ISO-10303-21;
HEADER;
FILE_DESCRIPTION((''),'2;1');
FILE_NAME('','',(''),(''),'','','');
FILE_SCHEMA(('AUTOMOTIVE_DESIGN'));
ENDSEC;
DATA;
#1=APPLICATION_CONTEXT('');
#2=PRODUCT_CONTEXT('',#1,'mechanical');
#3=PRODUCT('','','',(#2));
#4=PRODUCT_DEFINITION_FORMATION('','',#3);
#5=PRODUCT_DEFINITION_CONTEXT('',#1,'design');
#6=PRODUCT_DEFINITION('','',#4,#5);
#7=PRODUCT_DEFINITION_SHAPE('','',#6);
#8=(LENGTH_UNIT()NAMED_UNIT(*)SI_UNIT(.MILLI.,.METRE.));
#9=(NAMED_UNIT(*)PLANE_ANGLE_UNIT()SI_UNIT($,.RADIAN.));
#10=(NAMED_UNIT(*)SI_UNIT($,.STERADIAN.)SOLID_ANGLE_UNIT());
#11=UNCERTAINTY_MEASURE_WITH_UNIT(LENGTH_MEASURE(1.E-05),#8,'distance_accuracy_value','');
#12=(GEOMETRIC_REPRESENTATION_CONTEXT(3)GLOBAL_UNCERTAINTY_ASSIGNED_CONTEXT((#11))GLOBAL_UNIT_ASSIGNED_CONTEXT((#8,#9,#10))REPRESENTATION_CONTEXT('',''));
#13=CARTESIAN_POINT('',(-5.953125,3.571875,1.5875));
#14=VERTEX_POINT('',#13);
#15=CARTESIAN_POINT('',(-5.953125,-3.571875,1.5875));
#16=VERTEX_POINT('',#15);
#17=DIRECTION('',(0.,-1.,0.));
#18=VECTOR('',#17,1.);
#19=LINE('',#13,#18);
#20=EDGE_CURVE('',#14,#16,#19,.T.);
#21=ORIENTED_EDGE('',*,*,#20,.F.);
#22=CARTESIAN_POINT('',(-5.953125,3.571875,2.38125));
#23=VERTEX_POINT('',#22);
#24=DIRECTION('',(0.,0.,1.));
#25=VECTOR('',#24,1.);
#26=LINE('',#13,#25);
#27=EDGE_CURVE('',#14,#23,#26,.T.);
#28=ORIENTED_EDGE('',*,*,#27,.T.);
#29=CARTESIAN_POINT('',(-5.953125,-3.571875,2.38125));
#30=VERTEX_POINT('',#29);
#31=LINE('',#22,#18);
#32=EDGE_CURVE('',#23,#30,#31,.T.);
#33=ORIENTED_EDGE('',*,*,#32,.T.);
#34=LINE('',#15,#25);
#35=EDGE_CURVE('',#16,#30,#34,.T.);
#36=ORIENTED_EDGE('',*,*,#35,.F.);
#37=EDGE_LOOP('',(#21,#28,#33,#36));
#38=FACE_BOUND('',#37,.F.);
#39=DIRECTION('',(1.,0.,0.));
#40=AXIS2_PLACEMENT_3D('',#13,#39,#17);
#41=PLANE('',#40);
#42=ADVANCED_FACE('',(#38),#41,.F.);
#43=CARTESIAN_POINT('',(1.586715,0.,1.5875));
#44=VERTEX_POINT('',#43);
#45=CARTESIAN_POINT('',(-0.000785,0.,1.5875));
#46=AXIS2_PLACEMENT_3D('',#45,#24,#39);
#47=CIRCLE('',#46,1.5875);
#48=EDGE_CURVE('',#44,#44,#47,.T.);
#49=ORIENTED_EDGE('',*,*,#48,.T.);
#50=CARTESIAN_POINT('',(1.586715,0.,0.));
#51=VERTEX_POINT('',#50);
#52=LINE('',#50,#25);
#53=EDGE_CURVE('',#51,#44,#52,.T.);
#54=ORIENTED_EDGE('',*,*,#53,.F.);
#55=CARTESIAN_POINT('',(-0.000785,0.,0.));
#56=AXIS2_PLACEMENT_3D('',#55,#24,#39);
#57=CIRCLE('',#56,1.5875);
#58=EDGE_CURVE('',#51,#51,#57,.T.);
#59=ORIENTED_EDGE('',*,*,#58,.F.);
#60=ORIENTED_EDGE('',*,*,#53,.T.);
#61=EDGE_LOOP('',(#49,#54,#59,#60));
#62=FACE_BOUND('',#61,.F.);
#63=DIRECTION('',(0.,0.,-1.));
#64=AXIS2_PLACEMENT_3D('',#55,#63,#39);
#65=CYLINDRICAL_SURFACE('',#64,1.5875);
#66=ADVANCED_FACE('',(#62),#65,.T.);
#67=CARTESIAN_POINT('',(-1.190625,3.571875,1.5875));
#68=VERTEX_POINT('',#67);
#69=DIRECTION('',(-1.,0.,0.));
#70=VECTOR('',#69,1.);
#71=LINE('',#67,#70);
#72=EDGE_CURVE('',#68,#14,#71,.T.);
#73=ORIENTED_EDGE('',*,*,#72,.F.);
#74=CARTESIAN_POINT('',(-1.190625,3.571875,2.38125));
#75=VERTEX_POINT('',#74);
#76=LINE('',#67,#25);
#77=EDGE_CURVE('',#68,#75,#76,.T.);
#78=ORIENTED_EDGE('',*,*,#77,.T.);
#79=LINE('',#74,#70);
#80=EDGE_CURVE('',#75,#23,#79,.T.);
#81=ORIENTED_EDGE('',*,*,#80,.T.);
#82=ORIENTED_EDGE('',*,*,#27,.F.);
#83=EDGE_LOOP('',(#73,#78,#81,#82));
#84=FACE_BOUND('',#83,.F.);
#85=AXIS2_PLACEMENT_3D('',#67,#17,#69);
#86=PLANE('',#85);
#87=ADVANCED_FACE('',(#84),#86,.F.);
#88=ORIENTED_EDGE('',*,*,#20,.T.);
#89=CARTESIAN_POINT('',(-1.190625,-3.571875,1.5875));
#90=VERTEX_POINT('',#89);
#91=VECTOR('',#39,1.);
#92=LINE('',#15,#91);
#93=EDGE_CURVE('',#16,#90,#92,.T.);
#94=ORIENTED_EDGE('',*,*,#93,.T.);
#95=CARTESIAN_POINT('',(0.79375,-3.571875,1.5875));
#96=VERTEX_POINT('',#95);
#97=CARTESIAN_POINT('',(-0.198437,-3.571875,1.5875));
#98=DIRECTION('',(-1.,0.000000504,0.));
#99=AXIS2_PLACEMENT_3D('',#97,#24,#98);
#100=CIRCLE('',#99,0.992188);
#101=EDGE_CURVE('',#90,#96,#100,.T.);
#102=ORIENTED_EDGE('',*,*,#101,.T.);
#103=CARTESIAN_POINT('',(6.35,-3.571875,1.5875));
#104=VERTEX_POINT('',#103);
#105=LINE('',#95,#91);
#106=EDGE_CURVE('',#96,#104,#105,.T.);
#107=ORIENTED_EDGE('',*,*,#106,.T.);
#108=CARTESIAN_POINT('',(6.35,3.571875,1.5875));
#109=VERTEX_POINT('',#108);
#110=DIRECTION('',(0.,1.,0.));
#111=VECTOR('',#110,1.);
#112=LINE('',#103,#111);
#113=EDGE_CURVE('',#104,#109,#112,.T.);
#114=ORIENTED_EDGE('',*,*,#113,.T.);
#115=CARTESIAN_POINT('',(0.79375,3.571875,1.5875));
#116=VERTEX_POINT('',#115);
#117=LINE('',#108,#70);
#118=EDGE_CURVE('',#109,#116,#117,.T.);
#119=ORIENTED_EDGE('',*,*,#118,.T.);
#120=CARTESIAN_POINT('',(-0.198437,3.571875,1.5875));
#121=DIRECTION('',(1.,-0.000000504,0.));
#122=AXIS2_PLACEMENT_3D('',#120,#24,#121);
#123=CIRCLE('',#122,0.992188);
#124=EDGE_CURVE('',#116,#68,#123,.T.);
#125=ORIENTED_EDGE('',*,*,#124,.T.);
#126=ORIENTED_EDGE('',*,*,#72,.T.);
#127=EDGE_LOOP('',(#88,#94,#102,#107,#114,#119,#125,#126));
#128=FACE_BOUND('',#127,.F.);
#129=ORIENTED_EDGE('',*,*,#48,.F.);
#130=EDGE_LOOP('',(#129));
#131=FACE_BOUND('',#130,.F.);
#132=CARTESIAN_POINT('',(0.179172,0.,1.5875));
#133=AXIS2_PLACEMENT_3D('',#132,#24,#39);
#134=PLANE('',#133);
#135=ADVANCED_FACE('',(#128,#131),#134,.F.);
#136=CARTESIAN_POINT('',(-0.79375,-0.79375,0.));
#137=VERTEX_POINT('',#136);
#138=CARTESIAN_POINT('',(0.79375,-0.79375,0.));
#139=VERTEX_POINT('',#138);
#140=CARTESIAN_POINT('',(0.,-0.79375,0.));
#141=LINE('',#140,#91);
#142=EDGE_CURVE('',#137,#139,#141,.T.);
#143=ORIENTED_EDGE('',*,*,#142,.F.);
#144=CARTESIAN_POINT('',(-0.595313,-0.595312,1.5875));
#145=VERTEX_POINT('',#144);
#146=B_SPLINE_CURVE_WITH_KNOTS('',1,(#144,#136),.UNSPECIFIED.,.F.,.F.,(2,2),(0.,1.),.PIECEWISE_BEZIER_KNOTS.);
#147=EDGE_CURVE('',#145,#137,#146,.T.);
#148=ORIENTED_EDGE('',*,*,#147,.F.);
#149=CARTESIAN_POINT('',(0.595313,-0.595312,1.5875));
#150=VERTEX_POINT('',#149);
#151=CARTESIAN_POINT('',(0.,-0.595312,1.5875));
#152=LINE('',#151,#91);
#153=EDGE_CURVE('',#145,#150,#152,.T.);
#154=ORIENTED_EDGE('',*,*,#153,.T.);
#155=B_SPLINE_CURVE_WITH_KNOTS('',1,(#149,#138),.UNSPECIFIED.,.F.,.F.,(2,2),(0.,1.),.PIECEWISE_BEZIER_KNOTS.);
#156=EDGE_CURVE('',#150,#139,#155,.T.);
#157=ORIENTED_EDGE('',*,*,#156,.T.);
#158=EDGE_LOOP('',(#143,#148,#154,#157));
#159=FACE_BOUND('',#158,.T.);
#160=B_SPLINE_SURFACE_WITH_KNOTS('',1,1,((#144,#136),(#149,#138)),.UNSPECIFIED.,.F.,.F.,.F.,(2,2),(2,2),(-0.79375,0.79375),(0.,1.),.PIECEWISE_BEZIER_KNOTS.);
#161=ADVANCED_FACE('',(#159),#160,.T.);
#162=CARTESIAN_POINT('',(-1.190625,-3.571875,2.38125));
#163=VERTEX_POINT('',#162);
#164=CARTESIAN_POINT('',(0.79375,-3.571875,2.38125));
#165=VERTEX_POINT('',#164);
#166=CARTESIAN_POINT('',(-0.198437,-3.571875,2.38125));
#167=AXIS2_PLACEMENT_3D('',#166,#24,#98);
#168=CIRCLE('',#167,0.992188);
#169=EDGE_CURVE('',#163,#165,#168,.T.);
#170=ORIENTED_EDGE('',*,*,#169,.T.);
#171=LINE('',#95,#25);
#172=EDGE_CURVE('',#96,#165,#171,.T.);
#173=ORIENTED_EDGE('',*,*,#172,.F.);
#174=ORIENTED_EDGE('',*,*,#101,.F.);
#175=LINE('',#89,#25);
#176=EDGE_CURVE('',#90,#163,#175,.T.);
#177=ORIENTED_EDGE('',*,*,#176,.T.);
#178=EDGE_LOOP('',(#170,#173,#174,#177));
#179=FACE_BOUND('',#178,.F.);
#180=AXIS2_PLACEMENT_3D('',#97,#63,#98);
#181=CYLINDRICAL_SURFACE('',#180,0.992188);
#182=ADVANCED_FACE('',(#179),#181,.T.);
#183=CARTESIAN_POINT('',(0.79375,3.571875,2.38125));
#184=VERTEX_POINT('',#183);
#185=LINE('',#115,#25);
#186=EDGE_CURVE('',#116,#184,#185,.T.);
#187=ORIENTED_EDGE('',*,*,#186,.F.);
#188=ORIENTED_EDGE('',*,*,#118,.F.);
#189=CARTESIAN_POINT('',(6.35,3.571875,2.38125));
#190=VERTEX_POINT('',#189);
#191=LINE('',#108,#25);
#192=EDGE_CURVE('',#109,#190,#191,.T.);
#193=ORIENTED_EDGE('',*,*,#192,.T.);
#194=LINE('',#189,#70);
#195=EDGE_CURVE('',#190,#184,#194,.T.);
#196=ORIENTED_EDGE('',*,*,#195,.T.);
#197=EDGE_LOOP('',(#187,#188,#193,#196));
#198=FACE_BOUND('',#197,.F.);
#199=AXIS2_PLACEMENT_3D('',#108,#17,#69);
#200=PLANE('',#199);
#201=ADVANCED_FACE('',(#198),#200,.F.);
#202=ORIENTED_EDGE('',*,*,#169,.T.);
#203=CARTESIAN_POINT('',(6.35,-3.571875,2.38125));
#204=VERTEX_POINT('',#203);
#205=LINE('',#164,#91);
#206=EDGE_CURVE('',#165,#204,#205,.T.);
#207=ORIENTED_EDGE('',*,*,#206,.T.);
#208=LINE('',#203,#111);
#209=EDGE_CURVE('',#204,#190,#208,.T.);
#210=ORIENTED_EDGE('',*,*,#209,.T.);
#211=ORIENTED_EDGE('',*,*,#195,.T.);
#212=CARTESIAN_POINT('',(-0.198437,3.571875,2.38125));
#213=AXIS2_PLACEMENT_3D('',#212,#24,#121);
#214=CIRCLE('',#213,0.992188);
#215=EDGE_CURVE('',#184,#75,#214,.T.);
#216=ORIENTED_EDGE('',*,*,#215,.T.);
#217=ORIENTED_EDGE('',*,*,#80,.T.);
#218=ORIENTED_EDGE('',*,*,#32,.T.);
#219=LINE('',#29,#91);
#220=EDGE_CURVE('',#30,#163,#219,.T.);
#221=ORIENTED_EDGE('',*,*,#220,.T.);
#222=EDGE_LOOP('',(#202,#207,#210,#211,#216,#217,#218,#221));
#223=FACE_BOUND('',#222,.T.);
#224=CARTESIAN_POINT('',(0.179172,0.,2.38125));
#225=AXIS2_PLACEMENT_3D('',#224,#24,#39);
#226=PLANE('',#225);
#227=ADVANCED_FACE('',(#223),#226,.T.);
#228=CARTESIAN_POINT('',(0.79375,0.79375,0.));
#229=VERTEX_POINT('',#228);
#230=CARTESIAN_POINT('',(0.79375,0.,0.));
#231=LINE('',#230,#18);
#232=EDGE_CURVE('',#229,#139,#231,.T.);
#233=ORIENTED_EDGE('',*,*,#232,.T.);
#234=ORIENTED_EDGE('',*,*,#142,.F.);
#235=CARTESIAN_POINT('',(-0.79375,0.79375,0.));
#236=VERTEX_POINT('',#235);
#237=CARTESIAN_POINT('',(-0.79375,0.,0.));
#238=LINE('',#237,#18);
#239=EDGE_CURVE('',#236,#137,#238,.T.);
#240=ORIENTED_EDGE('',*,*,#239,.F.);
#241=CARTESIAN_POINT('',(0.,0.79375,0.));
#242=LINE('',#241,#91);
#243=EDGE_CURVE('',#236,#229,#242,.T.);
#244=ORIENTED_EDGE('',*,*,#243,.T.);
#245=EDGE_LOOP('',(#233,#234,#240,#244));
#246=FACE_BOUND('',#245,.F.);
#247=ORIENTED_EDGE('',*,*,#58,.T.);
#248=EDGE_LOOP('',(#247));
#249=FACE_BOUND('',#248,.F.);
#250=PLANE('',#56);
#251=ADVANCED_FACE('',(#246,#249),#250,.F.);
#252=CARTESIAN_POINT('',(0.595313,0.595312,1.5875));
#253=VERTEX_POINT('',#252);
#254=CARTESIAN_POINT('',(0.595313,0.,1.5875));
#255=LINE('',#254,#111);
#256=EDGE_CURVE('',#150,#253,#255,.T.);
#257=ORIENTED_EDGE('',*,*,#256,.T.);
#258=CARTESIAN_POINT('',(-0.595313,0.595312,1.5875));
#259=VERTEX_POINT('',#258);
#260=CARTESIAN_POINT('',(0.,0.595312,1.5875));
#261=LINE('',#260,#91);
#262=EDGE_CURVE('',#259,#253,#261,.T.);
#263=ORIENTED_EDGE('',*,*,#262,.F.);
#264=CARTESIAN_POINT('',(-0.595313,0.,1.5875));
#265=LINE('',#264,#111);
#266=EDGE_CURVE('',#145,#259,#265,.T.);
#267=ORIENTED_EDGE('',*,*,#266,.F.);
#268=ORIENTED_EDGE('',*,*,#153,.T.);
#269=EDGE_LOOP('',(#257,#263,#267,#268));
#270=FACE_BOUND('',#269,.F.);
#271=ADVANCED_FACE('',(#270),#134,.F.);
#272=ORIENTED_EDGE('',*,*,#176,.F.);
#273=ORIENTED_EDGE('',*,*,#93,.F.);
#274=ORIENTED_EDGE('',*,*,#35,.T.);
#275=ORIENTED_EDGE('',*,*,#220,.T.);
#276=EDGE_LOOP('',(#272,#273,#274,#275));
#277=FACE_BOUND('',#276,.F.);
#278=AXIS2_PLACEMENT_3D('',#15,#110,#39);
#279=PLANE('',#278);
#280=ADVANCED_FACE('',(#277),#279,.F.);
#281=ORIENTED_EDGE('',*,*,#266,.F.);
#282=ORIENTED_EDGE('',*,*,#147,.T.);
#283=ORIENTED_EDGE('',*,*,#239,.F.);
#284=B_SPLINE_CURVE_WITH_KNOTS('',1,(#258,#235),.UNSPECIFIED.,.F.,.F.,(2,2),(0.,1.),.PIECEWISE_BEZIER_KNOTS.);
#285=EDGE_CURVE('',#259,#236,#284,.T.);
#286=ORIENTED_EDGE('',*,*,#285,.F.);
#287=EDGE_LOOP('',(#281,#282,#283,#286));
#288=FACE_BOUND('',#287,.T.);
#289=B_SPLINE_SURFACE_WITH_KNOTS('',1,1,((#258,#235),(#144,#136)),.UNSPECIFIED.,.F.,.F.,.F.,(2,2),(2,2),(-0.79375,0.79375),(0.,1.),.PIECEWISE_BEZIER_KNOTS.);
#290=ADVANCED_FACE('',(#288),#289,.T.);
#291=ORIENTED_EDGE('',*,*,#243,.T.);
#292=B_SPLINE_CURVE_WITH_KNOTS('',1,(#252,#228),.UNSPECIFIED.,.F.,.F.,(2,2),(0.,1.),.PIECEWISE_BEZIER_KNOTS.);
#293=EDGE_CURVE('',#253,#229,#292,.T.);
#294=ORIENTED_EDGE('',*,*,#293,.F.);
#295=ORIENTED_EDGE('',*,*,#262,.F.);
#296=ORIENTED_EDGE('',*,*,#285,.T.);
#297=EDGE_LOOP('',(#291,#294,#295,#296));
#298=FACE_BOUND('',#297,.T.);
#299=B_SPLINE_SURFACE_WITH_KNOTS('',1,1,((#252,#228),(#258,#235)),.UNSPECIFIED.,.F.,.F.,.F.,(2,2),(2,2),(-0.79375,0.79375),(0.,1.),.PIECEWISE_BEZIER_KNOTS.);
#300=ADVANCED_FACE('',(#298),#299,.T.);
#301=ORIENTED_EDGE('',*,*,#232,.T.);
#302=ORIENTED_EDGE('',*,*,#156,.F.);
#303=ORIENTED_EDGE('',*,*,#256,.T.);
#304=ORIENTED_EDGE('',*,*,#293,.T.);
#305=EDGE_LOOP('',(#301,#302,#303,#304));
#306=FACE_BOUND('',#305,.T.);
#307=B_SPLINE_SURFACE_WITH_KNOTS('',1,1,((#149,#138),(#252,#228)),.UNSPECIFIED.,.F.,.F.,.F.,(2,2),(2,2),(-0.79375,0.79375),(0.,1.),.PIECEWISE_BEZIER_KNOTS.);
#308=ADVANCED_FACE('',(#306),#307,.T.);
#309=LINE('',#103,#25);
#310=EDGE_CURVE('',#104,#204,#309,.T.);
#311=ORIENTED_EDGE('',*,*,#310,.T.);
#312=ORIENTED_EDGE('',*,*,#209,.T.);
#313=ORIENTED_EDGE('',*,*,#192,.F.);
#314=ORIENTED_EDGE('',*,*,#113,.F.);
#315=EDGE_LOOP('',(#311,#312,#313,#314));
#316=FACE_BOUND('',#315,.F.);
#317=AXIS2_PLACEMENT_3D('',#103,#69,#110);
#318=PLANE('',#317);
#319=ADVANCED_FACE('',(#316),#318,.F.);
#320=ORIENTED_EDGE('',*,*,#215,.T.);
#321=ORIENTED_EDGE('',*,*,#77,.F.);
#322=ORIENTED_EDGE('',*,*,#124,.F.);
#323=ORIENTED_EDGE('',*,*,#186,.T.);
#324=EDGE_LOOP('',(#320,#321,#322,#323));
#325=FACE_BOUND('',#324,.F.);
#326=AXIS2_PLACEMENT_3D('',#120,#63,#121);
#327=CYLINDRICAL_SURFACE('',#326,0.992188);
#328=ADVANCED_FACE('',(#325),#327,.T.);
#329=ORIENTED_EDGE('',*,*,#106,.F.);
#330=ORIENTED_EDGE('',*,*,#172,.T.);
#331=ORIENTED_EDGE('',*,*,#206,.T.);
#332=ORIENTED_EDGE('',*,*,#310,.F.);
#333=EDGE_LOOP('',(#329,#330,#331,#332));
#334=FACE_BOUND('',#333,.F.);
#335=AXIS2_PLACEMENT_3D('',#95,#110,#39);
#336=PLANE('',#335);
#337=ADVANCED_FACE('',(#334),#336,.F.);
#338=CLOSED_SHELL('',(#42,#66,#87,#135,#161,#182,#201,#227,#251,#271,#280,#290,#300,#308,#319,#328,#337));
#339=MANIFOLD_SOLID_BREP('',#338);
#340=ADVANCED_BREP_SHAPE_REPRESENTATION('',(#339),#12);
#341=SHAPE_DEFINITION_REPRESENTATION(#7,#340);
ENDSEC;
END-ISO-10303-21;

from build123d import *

# Parameters (mm, degrees)
F0_R     = 1.5875
F1_DEPTH = 1.5875
F2_W     = 1.190625
F2_H     = 1.190624
F3_W     = 1.5875
F3_H     = 1.5875
F6_DEPTH = 0.79375


with BuildPart() as f1:
    # F0 (on Top) → F1 (new body)
    with BuildSketch(Plane.XY):
        with Locations((-0.000785, 0)):
            Circle(F0_R)
    extrude(amount=F1_DEPTH)

    # F2 (on face) → F4 section 0
    with BuildSketch(Plane.XY.offset(1.5875)):
        with Locations((-1e-06, 0)):
            Rectangle(F2_W, F2_H)
    # F3 (on face) → F4 section 1
    with BuildSketch(Plane(origin=(0, 0, 0), x_dir=(1, 0, 0), z_dir=(0, 0, -1))):
        Rectangle(F3_W, F3_H)
    loft(mode=Mode.SUBTRACT)

    # F5 (on face) → F6 (join)
    with BuildSketch(Plane.XY.offset(1.5875)):
        with BuildLine():
            Line((-5.953125, 3.571875), (-5.953125, -3.571875))
            Line((-5.953125, -3.571875), (-1.190625, -3.571875))
            ThreePointArc((-1.190625, -3.571875), (-0.198438, -4.564063), (0.79375, -3.571875))
            Line((0.79375, -3.571875), (6.35, -3.571875))
            Line((6.35, -3.571875), (6.35, 3.571875))
            Line((6.35, 3.571875), (0.79375, 3.571875))
            ThreePointArc((0.79375, 3.571875), (-0.198437, 4.564063), (-1.190625, 3.571875))
            Line((-1.190625, 3.571875), (-5.953125, 3.571875))
        make_face()
    extrude(amount=F6_DEPTH)


solid = f1.part
